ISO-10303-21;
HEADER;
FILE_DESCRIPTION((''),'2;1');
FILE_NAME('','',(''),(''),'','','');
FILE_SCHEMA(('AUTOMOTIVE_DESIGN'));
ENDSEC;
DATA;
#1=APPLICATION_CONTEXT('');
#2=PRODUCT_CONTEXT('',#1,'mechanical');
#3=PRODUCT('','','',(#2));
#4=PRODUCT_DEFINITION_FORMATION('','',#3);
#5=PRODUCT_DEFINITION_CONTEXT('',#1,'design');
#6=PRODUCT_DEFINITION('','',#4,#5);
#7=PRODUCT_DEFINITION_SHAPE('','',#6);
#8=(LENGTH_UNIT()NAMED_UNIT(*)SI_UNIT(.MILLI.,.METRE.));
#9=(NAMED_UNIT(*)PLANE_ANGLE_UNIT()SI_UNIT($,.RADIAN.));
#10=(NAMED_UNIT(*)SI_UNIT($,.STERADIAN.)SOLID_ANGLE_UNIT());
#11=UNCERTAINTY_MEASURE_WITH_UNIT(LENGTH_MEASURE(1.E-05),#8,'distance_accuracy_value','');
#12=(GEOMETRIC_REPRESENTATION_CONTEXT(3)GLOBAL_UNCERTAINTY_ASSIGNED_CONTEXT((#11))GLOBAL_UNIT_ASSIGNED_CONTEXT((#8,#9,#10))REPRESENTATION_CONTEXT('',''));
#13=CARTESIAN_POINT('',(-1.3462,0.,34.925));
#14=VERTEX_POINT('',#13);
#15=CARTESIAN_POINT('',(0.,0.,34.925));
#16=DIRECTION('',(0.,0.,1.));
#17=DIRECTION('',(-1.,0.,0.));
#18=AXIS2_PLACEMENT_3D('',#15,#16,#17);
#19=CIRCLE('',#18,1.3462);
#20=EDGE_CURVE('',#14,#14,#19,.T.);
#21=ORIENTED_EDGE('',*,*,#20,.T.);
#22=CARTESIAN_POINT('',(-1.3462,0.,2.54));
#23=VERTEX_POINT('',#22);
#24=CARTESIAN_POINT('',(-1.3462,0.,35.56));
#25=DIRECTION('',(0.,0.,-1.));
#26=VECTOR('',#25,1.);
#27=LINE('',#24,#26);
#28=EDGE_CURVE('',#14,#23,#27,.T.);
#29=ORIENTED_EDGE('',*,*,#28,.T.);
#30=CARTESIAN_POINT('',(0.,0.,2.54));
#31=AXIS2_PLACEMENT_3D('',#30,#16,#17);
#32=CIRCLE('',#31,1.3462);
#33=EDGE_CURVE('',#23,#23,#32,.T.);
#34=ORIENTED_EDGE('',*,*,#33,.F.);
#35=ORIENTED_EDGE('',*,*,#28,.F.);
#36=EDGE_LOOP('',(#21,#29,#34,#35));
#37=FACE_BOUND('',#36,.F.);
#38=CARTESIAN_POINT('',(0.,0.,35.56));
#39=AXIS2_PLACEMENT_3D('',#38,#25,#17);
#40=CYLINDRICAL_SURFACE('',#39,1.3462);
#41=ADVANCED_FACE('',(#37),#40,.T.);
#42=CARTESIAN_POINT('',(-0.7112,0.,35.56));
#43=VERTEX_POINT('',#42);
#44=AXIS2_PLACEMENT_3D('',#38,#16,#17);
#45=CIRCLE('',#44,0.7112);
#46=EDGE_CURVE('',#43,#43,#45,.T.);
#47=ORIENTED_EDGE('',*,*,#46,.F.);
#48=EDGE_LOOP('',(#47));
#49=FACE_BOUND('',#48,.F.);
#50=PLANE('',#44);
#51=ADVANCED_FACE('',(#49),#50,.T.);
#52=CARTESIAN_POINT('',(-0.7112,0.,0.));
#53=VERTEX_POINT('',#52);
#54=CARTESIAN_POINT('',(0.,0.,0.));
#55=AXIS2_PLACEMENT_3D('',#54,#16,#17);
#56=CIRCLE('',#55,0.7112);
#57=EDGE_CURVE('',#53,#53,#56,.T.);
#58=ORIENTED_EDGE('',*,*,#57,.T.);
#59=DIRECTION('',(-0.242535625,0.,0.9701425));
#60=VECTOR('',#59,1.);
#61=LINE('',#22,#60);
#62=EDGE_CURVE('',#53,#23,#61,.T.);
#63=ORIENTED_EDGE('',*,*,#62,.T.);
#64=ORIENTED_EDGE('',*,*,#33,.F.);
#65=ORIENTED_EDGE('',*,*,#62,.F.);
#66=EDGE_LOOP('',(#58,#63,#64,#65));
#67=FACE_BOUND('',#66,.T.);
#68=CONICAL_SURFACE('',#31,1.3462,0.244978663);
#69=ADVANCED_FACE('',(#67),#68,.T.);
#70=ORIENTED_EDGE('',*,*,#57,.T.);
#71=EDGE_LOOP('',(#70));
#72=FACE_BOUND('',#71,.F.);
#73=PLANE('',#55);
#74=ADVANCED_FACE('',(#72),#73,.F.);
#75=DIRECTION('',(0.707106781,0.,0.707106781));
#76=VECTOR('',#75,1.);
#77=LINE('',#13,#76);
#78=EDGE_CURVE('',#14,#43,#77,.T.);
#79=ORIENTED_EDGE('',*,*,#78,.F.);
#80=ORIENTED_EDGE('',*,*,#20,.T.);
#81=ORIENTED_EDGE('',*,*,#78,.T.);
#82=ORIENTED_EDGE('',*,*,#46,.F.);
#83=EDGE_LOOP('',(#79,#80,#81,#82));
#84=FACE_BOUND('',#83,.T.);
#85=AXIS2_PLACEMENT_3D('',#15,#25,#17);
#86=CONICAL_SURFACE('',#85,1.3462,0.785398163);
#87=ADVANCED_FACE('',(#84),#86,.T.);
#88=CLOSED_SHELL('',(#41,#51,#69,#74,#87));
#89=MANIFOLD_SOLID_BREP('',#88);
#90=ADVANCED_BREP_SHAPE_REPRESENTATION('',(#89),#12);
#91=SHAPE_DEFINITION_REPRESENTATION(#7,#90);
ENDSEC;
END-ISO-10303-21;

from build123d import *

# Parameters (mm, degrees)
F2_SIZE2 = 2.54
F2_SIZE  = 0.635
F3_SIZE  = 0.635


with BuildPart() as f1:
    # F0 (on Front) → F1 (revolve)
    with BuildSketch(Plane.XZ):
        Polygon((-1.3462, 0), (0, 0), (0, 35.56), (-1.3462, 35.56), (-1.3462, 12.7), align=None)
    revolve(axis=Axis((0, 0, 17.78), (0, 0, 1)))

    # F2
    f2_edges = [f1.edges().sort_by_distance(p)[0] for p in [
        (1.3462, 0, 0),
    ]]
    chamfer(f2_edges, length=F2_SIZE, length2=F2_SIZE2)

    # F3
    f3_edges = [f1.edges().sort_by_distance(p)[0] for p in [
        (1.3462, 0, 35.56),
    ]]
    chamfer(f3_edges, length=F3_SIZE)


solid = f1.part
